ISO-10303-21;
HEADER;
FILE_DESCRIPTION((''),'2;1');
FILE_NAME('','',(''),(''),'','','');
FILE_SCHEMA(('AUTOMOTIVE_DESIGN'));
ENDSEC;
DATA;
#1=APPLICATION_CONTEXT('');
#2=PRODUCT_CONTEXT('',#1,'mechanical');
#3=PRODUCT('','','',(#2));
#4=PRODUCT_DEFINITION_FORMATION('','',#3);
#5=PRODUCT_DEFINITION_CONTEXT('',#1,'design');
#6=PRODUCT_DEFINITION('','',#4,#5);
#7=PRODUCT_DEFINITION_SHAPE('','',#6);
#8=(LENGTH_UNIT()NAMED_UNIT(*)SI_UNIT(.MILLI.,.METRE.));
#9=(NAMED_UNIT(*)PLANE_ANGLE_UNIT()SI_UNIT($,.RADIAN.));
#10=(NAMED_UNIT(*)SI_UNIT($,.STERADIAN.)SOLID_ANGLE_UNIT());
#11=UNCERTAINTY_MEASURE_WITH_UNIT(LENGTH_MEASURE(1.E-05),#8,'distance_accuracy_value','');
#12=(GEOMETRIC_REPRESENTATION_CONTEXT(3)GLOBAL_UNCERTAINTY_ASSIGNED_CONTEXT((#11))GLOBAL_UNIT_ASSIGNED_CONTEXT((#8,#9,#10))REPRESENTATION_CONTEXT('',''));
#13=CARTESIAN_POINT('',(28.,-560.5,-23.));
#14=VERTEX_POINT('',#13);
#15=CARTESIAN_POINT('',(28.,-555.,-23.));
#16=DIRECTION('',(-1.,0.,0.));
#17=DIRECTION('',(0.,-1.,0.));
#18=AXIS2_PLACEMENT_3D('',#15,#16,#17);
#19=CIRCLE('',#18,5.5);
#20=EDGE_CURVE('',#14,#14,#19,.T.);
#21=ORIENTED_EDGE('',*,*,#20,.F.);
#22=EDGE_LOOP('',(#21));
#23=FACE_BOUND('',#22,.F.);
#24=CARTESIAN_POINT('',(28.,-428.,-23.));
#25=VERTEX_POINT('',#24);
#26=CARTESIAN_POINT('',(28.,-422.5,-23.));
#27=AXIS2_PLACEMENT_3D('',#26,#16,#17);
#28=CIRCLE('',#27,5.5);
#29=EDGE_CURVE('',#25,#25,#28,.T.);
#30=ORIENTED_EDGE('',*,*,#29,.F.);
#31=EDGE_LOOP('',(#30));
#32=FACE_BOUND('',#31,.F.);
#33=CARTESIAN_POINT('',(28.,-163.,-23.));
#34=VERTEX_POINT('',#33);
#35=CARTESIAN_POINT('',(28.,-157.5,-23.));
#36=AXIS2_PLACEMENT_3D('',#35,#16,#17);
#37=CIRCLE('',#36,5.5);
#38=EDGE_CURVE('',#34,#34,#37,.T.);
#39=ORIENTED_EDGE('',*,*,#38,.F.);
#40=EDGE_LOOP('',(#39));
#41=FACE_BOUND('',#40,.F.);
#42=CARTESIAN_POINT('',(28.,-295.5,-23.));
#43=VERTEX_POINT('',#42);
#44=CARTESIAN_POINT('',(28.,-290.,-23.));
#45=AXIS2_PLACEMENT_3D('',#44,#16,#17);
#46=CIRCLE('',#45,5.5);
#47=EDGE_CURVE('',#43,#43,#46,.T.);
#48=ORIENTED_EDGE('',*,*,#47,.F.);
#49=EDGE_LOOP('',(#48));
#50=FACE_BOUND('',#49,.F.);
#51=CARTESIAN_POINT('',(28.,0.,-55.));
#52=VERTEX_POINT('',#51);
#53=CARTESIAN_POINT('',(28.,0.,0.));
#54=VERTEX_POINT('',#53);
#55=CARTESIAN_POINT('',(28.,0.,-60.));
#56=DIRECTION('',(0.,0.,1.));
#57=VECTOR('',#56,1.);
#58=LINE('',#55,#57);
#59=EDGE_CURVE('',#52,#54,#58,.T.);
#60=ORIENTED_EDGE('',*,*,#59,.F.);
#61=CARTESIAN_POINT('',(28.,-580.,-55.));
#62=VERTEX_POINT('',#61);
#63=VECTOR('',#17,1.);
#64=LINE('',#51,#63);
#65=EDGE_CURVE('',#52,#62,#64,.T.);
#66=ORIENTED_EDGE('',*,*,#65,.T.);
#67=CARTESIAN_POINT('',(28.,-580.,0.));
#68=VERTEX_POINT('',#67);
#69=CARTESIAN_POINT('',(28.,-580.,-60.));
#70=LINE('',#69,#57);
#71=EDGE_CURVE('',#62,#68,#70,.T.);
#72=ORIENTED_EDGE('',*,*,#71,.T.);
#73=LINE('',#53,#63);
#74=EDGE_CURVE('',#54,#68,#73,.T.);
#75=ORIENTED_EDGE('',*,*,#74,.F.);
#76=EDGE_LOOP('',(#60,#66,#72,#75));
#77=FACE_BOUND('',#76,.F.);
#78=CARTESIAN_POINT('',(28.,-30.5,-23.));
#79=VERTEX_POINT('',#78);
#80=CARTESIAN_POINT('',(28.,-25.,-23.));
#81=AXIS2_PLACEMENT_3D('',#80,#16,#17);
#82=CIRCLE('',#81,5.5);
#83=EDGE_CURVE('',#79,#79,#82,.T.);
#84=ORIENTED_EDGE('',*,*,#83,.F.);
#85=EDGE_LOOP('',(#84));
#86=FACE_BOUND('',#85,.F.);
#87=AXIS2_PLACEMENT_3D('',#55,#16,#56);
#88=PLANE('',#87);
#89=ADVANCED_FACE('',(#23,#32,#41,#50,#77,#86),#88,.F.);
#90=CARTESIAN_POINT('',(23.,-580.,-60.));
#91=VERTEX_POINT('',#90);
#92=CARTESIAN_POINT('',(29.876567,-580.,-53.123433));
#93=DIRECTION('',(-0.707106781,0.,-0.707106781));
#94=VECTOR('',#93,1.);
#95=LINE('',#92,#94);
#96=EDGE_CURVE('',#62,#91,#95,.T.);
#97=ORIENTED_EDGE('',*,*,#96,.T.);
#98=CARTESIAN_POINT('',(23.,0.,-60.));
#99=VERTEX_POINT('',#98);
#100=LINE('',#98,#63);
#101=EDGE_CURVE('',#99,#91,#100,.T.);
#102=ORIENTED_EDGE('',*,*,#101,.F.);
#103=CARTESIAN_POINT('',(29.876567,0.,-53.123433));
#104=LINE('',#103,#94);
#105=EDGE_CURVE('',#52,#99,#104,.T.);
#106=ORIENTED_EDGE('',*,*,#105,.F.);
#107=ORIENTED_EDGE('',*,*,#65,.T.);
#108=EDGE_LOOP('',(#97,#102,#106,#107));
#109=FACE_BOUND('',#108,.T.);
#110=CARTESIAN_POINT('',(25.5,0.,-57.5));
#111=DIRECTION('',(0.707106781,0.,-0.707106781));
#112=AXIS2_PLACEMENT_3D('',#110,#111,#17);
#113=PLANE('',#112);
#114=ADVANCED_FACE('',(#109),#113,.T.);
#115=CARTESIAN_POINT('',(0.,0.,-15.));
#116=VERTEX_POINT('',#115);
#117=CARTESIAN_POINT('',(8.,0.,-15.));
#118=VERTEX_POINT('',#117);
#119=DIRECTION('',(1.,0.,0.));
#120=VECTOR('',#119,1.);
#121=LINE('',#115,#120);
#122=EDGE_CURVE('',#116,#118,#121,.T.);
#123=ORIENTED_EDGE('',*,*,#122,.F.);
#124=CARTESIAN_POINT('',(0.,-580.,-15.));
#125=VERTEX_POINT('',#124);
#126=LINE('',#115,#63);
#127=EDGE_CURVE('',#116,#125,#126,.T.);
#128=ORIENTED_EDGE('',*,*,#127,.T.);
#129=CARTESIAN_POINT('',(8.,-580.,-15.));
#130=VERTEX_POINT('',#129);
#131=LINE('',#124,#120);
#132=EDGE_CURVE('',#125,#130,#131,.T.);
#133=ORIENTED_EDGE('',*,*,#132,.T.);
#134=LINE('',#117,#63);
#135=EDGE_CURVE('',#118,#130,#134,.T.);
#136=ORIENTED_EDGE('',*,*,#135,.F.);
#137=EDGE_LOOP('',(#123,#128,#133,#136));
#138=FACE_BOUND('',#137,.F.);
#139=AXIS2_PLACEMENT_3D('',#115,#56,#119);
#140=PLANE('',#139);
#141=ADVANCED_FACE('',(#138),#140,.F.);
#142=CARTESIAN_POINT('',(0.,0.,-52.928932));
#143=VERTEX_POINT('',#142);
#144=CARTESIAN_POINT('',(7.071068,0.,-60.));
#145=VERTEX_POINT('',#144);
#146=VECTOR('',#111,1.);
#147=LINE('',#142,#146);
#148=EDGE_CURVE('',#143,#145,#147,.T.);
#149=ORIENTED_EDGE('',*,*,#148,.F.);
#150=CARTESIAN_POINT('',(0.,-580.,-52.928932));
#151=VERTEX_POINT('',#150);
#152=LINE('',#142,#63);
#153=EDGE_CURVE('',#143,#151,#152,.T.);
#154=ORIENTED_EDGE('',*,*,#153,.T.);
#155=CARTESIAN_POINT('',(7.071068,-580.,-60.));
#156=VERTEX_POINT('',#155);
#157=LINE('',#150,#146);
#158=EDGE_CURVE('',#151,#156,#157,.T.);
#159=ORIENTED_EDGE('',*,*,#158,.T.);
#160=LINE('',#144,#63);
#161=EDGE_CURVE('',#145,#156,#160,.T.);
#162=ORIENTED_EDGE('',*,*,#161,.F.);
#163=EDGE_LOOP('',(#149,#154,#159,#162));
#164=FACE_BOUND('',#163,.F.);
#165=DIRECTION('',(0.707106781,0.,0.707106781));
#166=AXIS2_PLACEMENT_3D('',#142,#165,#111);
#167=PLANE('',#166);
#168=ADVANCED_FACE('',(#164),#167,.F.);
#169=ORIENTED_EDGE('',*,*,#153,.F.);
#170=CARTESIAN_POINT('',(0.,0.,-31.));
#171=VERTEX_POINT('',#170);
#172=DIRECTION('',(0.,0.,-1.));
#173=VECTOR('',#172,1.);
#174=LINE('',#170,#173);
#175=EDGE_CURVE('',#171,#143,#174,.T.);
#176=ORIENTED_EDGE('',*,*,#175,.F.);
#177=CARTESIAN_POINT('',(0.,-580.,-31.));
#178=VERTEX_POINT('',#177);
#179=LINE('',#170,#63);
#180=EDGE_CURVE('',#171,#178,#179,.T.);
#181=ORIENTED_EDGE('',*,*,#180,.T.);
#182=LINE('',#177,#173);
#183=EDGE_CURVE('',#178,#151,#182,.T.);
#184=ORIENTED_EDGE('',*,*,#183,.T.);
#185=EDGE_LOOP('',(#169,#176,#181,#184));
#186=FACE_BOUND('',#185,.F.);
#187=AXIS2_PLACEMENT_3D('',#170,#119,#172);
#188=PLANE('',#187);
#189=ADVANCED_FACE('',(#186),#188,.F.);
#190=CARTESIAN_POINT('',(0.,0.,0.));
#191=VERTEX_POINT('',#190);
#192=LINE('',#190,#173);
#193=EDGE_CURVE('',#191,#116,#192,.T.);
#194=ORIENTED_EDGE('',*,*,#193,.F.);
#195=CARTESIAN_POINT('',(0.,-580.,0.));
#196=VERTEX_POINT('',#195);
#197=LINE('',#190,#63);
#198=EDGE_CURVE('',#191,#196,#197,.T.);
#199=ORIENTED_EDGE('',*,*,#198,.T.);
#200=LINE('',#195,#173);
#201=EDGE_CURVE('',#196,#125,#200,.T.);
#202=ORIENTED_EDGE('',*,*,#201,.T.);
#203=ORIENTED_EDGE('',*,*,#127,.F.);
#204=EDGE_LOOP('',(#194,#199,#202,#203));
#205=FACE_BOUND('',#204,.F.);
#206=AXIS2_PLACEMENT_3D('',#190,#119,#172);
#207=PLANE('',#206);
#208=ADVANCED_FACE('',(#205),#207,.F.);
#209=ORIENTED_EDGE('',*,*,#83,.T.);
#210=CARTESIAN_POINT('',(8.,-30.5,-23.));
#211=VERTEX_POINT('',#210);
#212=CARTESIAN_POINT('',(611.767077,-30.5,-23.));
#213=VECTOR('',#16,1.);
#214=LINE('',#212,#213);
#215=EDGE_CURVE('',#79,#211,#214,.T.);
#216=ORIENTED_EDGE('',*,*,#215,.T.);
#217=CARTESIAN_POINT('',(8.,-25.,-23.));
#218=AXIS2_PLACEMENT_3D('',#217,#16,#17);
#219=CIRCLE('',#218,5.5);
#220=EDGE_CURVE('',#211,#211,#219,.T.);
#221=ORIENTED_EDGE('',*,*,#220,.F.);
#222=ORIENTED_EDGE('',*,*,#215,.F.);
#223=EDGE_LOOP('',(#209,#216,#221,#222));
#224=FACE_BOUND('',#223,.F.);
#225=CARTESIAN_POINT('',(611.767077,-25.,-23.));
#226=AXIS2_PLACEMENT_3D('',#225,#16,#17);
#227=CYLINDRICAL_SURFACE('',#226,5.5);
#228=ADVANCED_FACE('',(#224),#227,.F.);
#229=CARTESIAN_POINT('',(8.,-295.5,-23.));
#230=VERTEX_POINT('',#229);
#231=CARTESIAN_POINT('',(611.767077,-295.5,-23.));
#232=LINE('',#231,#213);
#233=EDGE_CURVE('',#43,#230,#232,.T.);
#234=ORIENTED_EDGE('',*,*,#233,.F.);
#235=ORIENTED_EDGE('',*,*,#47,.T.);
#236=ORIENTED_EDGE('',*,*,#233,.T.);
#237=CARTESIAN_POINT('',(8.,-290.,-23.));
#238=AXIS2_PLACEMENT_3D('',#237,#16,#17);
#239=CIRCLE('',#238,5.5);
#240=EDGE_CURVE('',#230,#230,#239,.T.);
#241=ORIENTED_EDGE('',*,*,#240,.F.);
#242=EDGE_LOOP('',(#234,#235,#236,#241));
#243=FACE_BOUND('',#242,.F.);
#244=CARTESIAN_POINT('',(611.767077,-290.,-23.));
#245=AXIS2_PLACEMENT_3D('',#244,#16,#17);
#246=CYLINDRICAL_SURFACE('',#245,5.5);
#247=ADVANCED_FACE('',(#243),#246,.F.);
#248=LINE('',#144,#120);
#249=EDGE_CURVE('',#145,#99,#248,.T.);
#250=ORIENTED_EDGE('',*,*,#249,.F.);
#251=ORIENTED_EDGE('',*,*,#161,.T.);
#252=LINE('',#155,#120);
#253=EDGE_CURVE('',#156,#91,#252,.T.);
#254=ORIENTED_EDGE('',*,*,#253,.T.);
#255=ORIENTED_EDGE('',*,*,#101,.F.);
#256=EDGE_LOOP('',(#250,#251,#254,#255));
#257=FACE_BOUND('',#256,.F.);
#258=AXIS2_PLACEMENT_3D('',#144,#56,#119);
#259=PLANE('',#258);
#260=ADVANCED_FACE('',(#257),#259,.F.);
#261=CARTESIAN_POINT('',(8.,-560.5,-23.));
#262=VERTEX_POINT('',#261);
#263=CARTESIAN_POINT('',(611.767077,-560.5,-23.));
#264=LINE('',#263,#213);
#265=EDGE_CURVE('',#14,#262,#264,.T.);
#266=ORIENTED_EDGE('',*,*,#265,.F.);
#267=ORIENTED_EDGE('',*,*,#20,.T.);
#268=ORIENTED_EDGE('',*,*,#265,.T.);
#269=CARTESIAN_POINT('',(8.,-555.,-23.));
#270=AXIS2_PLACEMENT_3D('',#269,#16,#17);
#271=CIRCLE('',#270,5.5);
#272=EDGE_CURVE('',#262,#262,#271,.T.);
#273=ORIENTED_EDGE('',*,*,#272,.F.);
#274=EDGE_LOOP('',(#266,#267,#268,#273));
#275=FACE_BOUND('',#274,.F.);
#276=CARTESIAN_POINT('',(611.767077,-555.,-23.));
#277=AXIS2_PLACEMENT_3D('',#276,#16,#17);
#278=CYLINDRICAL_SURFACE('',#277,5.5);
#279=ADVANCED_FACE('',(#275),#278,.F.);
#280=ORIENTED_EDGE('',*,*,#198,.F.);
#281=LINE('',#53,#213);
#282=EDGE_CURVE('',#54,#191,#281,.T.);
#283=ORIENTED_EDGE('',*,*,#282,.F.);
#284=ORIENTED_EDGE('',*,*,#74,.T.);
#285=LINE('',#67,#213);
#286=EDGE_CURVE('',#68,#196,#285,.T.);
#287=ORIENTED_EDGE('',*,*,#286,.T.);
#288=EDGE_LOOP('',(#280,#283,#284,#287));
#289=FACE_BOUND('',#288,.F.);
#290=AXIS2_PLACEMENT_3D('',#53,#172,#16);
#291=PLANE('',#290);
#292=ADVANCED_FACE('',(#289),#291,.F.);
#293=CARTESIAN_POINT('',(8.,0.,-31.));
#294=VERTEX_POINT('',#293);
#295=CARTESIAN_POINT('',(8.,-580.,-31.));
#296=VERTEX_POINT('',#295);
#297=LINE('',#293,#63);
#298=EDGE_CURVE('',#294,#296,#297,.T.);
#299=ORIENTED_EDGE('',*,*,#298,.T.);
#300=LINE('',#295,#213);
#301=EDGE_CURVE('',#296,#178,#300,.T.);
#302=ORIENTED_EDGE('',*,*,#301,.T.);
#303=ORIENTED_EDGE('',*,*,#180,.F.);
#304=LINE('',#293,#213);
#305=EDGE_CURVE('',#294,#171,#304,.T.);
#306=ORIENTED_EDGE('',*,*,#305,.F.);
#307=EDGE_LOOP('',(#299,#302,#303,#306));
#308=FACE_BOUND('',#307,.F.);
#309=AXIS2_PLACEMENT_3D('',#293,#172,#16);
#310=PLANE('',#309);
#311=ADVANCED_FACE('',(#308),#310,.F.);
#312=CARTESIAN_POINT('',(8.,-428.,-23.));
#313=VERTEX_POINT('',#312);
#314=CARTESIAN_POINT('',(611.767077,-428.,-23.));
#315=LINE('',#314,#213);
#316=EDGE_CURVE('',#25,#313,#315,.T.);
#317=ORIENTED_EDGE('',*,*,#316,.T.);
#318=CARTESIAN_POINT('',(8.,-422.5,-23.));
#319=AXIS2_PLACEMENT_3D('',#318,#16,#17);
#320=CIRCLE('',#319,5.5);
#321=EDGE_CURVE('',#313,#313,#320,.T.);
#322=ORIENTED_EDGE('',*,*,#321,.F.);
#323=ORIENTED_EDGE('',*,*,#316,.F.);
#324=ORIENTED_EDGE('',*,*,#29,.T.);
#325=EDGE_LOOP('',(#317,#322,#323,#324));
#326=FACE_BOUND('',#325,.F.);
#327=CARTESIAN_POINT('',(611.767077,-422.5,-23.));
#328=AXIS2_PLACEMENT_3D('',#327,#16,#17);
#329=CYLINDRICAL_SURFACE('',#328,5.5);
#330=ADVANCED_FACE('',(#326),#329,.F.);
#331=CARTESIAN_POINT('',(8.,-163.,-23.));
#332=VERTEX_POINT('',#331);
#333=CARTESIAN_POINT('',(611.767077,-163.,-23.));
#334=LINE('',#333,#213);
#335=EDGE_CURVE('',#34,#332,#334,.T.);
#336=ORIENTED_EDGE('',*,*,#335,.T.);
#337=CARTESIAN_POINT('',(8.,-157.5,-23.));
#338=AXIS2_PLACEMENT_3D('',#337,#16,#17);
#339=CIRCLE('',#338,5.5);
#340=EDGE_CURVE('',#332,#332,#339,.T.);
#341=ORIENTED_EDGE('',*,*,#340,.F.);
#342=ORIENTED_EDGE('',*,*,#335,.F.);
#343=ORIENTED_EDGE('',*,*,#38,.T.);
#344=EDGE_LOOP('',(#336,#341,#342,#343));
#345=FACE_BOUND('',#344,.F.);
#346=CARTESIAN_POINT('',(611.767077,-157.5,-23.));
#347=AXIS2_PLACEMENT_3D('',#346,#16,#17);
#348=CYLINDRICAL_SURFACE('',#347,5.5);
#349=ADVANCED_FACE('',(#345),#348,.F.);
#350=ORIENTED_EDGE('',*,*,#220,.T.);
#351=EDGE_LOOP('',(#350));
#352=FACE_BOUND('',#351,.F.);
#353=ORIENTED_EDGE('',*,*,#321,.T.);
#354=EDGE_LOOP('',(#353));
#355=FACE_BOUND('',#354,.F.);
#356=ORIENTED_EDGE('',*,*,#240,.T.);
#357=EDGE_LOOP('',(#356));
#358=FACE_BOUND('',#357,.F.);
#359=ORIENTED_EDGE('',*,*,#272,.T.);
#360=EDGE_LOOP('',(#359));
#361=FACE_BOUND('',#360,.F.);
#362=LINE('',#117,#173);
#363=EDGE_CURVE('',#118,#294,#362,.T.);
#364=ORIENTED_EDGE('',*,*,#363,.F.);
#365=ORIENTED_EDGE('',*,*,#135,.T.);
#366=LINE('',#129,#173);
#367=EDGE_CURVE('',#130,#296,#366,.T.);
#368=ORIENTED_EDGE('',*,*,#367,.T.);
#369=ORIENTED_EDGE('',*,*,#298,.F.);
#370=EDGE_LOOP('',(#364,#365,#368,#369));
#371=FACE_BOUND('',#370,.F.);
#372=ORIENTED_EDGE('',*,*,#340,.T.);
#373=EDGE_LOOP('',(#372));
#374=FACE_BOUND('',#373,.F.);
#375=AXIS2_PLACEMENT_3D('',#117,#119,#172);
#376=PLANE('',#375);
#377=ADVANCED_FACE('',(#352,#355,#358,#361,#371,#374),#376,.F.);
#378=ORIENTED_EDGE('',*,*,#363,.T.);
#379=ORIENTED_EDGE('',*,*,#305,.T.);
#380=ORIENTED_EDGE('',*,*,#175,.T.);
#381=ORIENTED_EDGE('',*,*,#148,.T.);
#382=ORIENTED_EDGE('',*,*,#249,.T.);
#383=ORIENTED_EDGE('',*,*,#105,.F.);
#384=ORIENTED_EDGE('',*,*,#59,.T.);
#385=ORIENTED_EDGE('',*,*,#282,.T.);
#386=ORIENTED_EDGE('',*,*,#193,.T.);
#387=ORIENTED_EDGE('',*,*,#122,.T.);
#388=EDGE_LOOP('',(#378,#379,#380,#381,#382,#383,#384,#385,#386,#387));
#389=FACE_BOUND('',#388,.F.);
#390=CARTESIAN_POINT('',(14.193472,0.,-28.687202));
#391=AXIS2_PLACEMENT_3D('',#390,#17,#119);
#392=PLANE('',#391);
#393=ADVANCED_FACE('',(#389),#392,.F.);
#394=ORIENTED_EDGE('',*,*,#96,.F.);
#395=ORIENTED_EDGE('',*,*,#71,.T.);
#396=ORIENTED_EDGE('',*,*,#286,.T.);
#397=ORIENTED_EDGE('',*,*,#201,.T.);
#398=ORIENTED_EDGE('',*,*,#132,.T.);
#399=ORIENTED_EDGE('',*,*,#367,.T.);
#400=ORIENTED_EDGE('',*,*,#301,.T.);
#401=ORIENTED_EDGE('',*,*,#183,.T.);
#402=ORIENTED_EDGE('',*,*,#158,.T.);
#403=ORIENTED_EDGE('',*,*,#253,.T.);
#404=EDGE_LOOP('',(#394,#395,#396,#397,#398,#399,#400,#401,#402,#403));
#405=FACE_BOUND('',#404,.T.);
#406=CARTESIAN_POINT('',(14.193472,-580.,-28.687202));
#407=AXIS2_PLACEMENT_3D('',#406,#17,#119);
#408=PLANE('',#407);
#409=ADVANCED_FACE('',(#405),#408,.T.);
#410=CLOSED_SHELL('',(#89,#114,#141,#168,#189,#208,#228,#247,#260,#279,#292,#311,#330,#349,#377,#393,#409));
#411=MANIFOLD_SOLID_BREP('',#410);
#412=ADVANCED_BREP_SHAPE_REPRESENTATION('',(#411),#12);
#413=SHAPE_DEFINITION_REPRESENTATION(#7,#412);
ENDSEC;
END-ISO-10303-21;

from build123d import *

# Parameters (mm, degrees)
F1_DEPTH = 580
F3_D     = 11
F4_SIZE  = 5


with BuildPart() as f1:
    # F0 (on Front) → F1 (new body)
    with BuildSketch(Plane.XZ):
        Polygon((28, 0), (0, 0), (0, -15), (8, -15), (8, -31), (0, -31), (0, -52.9289321881), (7.0710678119, -60), (28, -60), align=None)
    extrude(amount=F1_DEPTH)

    # F3 (through all)
    with Locations(Plane.YZ.offset(28)):
        with Locations((-555, -23), (-422.5, -23), (-290, -23), (-157.5, -23), (-25, -23)):
            Hole(F3_D / 2)

    # F4
    f4_edges = [f1.edges().sort_by_distance(p)[0] for p in [
        (28, -290, -60),
    ]]
    chamfer(f4_edges, length=F4_SIZE)


solid = f1.part
